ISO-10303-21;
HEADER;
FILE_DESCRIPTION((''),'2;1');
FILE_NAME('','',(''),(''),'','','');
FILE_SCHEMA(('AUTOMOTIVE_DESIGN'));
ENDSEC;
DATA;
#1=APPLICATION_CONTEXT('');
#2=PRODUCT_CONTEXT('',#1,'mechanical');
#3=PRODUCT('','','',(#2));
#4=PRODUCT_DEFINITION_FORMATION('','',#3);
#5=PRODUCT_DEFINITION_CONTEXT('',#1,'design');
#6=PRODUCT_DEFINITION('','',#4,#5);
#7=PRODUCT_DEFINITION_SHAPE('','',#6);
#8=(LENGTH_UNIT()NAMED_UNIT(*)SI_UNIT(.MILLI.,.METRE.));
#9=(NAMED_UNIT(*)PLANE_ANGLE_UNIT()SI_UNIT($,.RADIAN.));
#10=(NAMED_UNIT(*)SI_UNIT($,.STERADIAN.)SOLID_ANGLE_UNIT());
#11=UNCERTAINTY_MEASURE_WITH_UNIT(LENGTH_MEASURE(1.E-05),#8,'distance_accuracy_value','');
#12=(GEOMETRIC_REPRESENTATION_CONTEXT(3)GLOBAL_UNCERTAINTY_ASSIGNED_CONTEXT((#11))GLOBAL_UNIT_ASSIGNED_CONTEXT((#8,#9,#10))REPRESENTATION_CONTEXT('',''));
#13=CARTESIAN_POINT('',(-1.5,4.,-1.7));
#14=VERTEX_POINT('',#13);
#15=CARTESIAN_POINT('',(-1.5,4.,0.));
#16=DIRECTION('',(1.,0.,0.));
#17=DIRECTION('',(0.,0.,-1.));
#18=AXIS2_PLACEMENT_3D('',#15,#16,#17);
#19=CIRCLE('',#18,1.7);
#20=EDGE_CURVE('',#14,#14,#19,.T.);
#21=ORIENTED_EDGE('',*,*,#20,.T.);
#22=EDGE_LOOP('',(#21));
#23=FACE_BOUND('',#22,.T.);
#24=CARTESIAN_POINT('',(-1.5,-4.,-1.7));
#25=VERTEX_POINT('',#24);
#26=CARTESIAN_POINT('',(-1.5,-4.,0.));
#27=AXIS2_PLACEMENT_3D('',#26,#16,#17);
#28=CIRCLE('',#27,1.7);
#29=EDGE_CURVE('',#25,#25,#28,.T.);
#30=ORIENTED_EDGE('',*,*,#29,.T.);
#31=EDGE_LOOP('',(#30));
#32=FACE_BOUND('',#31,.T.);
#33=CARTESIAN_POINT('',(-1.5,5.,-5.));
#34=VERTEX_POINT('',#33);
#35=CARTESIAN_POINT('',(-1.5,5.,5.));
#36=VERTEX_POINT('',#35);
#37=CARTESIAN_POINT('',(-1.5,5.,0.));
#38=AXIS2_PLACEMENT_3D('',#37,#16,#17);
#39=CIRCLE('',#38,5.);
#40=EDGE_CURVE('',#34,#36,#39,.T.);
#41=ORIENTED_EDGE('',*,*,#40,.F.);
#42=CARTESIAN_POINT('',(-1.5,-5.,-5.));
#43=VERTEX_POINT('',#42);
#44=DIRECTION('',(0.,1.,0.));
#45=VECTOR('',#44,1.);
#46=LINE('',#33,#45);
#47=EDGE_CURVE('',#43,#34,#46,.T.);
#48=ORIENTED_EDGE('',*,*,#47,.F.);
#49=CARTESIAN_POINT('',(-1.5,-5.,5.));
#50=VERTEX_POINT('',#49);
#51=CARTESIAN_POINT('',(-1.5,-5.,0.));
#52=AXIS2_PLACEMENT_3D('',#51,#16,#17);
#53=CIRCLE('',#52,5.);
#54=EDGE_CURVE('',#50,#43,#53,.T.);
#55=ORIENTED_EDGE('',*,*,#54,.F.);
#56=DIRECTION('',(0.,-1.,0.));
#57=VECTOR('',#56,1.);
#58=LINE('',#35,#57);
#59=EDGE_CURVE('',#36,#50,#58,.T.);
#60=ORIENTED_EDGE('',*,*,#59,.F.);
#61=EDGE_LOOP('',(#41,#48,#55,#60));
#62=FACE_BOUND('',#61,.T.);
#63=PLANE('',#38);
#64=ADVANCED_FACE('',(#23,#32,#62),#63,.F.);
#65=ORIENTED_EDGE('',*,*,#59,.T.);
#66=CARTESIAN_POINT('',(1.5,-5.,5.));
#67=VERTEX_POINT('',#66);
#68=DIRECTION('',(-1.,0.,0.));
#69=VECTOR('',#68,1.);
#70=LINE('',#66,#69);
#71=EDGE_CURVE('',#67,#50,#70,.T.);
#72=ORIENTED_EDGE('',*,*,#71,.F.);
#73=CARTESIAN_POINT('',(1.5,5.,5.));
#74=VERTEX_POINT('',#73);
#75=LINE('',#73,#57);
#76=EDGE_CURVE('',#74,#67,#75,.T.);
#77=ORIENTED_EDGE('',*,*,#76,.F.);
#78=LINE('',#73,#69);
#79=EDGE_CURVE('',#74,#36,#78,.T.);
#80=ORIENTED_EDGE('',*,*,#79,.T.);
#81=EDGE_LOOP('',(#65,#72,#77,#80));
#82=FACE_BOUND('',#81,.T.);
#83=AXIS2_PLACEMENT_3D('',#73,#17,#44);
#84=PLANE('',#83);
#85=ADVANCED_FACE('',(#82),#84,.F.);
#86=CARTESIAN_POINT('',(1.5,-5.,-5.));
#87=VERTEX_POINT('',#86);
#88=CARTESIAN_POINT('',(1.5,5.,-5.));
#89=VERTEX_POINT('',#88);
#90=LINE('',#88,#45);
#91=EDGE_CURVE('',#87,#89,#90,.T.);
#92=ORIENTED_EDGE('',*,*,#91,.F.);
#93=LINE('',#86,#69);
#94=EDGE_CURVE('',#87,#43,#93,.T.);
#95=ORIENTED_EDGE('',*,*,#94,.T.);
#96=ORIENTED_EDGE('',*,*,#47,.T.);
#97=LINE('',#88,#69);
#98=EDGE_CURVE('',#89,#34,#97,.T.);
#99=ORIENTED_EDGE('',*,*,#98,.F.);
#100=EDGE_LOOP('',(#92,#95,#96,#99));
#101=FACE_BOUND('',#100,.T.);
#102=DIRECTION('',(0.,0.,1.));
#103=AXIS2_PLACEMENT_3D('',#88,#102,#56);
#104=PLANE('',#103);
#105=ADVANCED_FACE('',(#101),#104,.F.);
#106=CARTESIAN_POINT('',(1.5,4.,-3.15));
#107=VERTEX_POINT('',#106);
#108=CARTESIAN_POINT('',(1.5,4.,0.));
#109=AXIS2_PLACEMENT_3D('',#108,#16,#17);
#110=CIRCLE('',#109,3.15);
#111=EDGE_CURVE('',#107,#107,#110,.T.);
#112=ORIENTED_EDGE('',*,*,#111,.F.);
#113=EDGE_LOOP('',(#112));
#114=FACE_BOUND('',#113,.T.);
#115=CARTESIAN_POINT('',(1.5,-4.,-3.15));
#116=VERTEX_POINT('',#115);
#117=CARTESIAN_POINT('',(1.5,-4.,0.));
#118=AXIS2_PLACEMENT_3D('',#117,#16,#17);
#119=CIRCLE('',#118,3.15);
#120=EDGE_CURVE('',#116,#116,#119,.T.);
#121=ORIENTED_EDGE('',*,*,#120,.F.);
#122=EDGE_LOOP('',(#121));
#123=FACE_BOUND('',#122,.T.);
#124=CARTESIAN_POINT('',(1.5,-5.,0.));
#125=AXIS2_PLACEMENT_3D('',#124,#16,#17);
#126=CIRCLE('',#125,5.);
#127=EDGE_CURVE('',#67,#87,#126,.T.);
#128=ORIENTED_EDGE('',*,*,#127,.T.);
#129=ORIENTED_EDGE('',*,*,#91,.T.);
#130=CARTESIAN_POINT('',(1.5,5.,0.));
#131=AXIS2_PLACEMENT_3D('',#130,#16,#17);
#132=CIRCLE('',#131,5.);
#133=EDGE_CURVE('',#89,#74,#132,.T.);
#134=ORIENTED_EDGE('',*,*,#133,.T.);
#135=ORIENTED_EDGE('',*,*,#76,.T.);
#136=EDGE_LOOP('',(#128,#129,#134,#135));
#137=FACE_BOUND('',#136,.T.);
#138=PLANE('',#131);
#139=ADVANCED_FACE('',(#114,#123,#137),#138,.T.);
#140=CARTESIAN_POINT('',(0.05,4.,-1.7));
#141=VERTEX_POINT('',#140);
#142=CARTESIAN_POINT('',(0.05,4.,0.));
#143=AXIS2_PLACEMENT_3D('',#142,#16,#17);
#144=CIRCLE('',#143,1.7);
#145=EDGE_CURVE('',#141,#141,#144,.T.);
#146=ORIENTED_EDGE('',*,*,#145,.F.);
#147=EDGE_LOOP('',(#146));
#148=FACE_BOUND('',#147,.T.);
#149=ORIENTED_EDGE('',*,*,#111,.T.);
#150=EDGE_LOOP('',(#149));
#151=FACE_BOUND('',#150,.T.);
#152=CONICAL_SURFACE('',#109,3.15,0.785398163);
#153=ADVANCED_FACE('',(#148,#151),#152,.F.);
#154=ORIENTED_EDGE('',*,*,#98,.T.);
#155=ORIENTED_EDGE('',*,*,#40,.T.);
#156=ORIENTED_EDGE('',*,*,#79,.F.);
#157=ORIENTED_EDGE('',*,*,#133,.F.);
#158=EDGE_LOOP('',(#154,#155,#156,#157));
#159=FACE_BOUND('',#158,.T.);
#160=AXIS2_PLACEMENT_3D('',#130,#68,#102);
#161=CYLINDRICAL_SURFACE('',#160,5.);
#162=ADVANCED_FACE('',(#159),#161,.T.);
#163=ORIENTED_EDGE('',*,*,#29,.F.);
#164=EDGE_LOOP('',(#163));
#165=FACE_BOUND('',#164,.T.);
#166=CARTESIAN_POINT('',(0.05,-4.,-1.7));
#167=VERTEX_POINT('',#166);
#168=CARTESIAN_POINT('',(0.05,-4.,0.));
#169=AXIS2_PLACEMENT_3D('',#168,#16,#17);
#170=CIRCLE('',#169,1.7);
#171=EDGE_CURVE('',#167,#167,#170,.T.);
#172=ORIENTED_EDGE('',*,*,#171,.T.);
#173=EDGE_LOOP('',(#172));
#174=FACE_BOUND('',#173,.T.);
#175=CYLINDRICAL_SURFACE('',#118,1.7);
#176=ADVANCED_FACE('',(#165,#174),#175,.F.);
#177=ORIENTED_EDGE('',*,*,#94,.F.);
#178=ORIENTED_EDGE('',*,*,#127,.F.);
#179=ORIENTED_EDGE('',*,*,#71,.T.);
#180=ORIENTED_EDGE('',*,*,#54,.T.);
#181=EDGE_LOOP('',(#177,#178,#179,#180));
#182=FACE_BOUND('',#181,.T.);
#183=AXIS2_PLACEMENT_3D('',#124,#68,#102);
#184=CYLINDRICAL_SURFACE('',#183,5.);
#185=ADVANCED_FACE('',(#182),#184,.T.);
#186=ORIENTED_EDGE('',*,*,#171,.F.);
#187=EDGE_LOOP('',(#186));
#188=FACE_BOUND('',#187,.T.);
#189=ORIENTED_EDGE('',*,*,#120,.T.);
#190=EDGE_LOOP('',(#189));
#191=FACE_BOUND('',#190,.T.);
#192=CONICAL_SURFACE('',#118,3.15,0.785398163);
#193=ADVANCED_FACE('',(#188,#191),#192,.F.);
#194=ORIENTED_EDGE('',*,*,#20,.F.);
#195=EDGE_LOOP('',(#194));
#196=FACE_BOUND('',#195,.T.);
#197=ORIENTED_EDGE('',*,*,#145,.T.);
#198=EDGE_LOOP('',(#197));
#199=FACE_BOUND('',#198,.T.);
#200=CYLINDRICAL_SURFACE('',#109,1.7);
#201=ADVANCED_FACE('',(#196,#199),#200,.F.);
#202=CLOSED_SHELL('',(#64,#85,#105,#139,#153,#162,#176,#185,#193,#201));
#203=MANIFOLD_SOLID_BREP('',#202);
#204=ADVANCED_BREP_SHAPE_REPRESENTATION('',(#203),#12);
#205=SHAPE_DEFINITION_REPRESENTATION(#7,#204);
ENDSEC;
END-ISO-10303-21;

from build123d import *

# Parameters (mm, degrees)
BOSS_EXTRUDE1_DEPTH                          = 1.5
CSK_FOR_M3_COUNTERSUNK_FLAT_HEAD_SCR_2_COUNT = 2
CSK_FOR_M3_COUNTERSUNK_FLAT_HEAD_SCR_2_PITCH = 8


with BuildPart() as part:
    # Sketch1 → Boss-Extrude1 (new, symmetric)
    with BuildSketch(Plane(origin=(0, 0, 0), x_dir=(0, 0, -1), z_dir=(1, 0, 0))):
        with BuildLine():
            Line((5, 5), (5, -5))
            ThreePointArc((5, -5), (0, -10), (-5, -5))
            Line((-5, -5), (-5, 5))
            ThreePointArc((-5, 5), (0, 10), (5, 5))
        make_face()
    extrude(amount=BOSS_EXTRUDE1_DEPTH, both=True)

    # Sketch3 → CSK for M3 Countersunk Flat Head Screw1 (revolve, cut)
    with BuildSketch(Plane(origin=(1.5, 4, 0), x_dir=(0, 0, -1), z_dir=(0, 1, 0))):
        Polygon((0, 0), (0, 3), (1.7, 3), (1.7, 1.45), (3.15, 0), align=None)
    csk_for_m3_countersunk_flat_head_screw1 = revolve(axis=Axis((7.85, 4, 0), (-1, 0, 0)), mode=Mode.SUBTRACT)

    # CSK for M3 Countersunk Flat Head Scr 2: CSK for M3 Countersunk Flat Head Screw1 ×2
    with Locations(*[(0, -i * CSK_FOR_M3_COUNTERSUNK_FLAT_HEAD_SCR_2_PITCH, 0) for i in range(1, CSK_FOR_M3_COUNTERSUNK_FLAT_HEAD_SCR_2_COUNT)]):
        add(csk_for_m3_countersunk_flat_head_screw1, mode=Mode.SUBTRACT)


solid = part.part
